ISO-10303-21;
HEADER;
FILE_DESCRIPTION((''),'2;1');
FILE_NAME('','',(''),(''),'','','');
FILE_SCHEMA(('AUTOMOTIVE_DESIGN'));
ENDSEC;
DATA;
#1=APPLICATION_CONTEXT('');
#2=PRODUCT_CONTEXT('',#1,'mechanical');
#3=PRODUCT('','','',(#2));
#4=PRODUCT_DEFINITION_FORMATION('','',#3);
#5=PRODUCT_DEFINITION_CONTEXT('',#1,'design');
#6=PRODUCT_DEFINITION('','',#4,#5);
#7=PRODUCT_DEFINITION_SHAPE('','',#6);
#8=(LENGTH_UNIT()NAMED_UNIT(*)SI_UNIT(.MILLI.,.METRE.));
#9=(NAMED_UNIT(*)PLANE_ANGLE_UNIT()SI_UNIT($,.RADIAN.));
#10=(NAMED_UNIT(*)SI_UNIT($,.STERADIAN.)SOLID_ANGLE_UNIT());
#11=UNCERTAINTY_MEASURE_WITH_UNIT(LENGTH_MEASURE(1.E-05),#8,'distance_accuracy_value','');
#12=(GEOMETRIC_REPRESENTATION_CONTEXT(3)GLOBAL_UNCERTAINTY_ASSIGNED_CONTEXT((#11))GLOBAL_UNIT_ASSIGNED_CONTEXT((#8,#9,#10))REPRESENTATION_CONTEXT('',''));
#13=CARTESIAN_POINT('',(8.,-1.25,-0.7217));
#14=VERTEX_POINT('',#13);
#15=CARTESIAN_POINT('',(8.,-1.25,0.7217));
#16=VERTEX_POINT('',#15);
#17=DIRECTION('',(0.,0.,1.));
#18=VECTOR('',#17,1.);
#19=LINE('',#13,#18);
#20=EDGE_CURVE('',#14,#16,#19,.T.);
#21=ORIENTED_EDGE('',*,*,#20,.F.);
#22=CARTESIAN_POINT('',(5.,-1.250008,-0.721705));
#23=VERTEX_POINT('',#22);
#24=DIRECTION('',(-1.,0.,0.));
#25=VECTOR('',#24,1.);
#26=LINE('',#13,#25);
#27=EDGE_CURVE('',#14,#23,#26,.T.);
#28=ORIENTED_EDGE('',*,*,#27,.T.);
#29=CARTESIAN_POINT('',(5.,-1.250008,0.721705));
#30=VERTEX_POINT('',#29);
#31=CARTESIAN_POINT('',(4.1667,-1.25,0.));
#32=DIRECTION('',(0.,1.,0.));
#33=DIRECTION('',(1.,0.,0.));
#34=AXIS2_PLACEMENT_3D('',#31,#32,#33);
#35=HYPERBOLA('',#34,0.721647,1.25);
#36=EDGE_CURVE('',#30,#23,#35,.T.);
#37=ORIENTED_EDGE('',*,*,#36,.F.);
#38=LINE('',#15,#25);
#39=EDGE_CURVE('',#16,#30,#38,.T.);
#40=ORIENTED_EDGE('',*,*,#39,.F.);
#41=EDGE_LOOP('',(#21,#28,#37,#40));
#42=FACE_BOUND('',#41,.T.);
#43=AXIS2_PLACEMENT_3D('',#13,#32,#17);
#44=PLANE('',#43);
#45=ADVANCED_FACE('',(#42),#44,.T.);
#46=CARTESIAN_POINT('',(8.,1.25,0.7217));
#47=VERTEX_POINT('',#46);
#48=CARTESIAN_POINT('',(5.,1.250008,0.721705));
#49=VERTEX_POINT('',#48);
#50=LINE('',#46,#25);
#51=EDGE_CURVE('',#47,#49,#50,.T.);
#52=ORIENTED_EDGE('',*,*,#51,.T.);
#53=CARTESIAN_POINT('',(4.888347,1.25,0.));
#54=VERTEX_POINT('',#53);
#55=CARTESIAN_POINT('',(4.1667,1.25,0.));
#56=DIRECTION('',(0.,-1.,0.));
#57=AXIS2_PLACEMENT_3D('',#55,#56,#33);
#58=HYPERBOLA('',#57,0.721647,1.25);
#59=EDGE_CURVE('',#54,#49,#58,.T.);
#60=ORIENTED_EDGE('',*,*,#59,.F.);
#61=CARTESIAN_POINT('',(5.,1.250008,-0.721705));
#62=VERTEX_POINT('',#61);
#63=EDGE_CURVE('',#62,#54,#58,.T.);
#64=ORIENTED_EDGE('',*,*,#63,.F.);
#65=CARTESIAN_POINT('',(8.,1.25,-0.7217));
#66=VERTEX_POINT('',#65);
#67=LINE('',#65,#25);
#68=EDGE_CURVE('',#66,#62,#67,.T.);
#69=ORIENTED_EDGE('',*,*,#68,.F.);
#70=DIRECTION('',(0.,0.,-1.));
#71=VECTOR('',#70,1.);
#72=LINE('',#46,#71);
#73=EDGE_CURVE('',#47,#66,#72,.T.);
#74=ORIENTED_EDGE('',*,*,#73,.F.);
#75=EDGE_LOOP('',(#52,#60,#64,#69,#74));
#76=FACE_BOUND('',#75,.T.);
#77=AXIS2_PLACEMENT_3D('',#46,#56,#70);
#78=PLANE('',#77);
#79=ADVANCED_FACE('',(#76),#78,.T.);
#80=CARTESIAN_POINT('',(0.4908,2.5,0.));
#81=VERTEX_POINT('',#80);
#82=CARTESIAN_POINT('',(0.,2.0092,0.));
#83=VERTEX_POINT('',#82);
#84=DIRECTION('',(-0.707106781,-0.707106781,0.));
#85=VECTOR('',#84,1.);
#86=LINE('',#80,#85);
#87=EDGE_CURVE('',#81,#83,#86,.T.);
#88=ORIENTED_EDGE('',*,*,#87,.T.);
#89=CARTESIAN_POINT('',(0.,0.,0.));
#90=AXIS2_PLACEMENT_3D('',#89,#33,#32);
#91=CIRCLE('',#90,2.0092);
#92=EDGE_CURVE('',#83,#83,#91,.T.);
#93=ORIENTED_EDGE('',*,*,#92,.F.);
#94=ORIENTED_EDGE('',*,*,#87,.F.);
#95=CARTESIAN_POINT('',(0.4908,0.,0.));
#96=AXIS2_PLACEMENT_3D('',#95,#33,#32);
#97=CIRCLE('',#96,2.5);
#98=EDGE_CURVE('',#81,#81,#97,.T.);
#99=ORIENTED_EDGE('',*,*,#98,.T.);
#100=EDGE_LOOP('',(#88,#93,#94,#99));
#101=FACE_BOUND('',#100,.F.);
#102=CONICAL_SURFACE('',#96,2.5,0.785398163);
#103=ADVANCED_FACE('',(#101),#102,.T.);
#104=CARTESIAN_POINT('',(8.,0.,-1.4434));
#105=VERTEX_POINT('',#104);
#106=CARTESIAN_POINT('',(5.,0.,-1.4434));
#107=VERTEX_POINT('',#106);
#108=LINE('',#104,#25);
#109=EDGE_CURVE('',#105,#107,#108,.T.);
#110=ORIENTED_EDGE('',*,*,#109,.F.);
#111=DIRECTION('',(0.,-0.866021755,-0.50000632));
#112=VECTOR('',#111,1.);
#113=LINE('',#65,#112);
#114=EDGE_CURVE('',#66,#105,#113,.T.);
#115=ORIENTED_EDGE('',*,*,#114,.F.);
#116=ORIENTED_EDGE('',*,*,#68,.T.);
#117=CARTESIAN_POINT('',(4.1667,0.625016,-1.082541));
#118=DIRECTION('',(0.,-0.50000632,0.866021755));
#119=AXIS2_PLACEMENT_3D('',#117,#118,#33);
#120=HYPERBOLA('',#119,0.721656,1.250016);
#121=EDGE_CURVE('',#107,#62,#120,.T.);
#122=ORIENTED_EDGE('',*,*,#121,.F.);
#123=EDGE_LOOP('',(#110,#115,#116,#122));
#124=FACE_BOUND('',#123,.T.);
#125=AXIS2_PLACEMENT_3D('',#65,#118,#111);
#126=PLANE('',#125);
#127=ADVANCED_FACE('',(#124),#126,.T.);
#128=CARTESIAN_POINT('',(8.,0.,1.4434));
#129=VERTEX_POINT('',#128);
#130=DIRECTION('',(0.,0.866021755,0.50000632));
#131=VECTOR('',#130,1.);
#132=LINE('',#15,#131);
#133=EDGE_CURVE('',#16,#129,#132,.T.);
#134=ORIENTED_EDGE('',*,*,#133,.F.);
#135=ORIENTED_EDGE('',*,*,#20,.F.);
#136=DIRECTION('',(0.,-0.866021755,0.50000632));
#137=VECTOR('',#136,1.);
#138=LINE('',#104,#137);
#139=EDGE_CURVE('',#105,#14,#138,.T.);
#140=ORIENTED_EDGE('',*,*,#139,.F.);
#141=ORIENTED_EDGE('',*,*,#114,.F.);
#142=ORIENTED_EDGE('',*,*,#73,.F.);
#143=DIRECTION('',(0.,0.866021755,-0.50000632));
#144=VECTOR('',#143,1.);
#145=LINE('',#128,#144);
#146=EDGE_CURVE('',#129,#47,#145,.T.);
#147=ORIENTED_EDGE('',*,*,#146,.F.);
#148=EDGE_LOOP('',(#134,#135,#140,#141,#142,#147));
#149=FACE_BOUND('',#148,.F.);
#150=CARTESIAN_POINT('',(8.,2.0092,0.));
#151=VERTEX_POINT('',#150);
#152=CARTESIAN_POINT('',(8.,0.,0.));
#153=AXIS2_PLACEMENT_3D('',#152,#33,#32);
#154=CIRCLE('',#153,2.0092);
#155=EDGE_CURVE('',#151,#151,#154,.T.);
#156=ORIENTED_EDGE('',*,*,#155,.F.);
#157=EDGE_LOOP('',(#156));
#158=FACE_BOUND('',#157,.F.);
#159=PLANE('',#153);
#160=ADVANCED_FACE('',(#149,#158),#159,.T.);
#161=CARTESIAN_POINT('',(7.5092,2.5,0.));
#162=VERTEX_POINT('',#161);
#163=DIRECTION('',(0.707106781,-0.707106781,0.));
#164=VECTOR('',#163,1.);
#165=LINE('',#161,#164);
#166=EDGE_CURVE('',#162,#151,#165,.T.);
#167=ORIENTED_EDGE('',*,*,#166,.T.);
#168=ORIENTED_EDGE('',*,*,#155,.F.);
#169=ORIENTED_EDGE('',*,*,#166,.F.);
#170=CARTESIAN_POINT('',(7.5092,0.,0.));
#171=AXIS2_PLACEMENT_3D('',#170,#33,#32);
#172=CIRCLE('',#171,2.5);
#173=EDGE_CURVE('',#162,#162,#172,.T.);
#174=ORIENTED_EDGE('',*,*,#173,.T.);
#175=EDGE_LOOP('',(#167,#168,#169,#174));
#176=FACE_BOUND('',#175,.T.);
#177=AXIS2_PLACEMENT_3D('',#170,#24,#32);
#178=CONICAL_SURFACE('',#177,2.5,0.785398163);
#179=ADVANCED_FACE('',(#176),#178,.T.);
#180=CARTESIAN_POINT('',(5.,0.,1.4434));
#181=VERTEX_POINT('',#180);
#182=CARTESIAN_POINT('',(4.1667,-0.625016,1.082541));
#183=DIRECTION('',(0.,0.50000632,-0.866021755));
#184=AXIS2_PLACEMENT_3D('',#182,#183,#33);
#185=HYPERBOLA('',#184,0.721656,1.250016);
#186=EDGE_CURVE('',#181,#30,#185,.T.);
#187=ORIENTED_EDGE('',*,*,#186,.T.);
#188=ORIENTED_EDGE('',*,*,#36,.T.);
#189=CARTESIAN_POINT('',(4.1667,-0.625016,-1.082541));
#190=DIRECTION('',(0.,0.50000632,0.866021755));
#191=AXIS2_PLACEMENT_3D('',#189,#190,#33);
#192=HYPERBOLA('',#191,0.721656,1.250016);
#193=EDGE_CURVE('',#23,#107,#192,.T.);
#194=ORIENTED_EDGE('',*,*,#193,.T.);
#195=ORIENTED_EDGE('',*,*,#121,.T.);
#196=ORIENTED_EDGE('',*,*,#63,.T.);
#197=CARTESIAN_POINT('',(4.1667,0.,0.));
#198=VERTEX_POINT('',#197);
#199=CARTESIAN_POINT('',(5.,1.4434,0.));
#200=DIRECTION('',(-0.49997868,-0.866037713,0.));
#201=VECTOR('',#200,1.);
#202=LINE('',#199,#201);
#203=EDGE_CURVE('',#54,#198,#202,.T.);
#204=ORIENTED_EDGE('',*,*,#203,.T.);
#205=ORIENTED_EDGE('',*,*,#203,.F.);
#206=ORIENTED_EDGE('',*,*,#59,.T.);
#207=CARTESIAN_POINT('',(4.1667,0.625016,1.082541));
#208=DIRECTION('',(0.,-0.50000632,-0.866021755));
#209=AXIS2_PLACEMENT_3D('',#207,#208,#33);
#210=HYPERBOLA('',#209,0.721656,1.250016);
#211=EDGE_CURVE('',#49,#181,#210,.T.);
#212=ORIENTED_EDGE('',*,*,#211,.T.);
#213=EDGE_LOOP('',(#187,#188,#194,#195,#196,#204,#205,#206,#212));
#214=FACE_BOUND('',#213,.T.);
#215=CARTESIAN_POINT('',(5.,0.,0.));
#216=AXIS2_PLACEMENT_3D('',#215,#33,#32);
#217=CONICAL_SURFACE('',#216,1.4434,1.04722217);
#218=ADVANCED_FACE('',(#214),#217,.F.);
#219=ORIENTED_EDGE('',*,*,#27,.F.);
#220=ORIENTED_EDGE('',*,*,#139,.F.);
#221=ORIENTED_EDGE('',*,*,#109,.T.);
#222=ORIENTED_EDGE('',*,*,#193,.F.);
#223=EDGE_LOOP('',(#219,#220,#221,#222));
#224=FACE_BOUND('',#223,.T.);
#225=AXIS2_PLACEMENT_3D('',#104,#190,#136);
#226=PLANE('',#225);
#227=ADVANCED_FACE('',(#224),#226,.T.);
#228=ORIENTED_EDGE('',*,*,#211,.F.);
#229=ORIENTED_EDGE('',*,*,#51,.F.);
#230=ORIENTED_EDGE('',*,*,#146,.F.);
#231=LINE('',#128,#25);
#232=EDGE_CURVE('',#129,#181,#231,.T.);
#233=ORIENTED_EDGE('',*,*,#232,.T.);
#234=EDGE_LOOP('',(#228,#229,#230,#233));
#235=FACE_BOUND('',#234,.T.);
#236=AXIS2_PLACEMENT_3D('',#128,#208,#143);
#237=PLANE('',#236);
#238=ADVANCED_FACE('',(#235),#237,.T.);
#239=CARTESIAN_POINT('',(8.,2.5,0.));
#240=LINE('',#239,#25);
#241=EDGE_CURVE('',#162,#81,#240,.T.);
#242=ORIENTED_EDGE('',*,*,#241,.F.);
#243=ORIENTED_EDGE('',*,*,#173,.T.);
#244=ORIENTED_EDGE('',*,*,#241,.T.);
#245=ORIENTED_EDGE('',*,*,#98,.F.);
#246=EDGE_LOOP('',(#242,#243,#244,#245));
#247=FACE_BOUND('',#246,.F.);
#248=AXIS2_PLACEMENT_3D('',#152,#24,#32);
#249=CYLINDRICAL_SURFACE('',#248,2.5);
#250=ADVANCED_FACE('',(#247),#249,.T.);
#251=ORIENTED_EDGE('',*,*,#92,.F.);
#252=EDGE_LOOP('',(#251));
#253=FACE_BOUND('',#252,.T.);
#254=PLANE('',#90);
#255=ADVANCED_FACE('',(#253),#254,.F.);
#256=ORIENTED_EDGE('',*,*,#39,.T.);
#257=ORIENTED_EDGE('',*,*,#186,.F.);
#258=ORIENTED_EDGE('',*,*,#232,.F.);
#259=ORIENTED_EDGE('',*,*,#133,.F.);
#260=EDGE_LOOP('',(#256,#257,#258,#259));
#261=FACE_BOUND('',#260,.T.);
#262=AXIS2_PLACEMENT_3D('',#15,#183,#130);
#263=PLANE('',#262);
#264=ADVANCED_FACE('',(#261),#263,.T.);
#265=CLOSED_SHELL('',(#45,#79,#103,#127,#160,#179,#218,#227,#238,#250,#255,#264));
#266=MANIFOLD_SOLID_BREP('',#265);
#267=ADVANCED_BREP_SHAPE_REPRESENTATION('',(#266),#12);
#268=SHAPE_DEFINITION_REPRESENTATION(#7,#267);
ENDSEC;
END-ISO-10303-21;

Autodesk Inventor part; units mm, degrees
ref_plane "YZ Plane" through (0, 0, 0) normal (1, 0, 0) x (0, 1, 0)
ref_plane "XZ Plane" through (0, 0, 0) normal (0, 1, 0) x (-1, 0, 0)
sketch "Skizze1" plane through (0, 0, 0) normal (0, 0, 1) x (1, 0, 0)
  line L0 (0, 0) -> (4.1667, 0)
  line L1 (8, 1.4434) -> (8, 2.5)
  line L2 (8, 2.5) -> (0, 2.5)
  line L3 (8, 1.4434) -> (5, 1.4434)
  line L4 (5, 1.4434) -> (4.1667, 0)
  line L5 (0, -0.5) -> (0, 3) projected
  line L6 (0, 2.5) -> (0, 0)
  dimension "d0" = 3
  dimension "d1" = 60
  dimension "d2" = 5
  dimension "d3" = 2.8868
  dimension "d5" = 8
revolve "Körper" add sketch "Skizze1" angle 360 about axis through (0, 0, 0) along (1, 0, 0)
chamfer "Fase1" distance 0.4908 angle 45 1 edges at (8, -2.5, 0) measured on face at (8, 2.1096, -0.3146)
sketch "Skizze2" plane through (8, 0, 0) normal (1, 0, 0) x (0, 0, -1)
  circle A0 centre (0, 0) radius 1.4434 projected
  line L0 (-0.7217, 1.25) -> (0.7217, 1.25)
  line L1 (0.7217, 1.25) -> (1.4434, 0)
  line L2 (1.4434, 0) -> (0.7217, -1.25)
  line L3 (0.7217, -1.25) -> (-0.7217, -1.25)
  line L4 (-0.7217, -1.25) -> (-1.4434, 0)
  line L5 (-1.4434, 0) -> (-0.7217, 1.25)
extrude "Loch" add sketch "Skizze2" against normal up to next contours L1 A0 | A0 L2 | L0 A0 | A0 L3 | L5 A0 | A0 L4
thread "Gewinde" size "M5x0.8" class "6g" standard "ISO Metric profile" length 8
chamfer "Fase2" distance 0.4908 angle 45 1 edges at (0, -2.5, 0) measured on face at (2.5031, 2.4676, -0.401)
ref_plane "Work Plane1" through (4, 0, 0) normal (0, 0.5, 0.866) x (1, 0, 0)
equation "\"d0\" = INTI"
equation "\"d2\" = NND"
equation "\"d3\" = 1.1547 * SW"
equation "\"d5\" = NLG"
equation "\"d7\" = -0.5 * GD1 + 0.5 * NND"
equation "\"d8\" = FAWI"
equation "\"d29\" = -0.5 * GD1 + 0.5 * NND"
equation "\"d11\" = NLG"
equation "\"d13\" = -0.5 * GD1 + 0.5 * NND"
equation "\"d14\" = FAWI"
equation "\"d30\" = -0.5 * GD1 + 0.5 * NND"
equation "\"NND\" = 5"
equation "\"NLG\" = 8"
equation "\"INTI\" = 3"
equation "\"FAWI\" = 45deg"
equation "\"SW\" = 2.5"
equation "\"GD1\" = THREADDIA - 1.2269 * PTC"
equation "\"FAWI1\" = 45deg"
equation "\"GUL\" = 0.61345 * PTC"
equation "\"SPD\" = 3.5"
equation "\"SEWI\" = 90deg"
equation "\"TOA\" = 30deg"
equation "\"THREADDIA\" = 5"
equation "\"PTC\" = 0.8"
equation "\"GAL\" = 0.61345 * PTC"
equation "\"E0\" = 1.155 * SW"
properties part number "ISO 4026 - M5 x 8" material "Edelstahl, 440C"
